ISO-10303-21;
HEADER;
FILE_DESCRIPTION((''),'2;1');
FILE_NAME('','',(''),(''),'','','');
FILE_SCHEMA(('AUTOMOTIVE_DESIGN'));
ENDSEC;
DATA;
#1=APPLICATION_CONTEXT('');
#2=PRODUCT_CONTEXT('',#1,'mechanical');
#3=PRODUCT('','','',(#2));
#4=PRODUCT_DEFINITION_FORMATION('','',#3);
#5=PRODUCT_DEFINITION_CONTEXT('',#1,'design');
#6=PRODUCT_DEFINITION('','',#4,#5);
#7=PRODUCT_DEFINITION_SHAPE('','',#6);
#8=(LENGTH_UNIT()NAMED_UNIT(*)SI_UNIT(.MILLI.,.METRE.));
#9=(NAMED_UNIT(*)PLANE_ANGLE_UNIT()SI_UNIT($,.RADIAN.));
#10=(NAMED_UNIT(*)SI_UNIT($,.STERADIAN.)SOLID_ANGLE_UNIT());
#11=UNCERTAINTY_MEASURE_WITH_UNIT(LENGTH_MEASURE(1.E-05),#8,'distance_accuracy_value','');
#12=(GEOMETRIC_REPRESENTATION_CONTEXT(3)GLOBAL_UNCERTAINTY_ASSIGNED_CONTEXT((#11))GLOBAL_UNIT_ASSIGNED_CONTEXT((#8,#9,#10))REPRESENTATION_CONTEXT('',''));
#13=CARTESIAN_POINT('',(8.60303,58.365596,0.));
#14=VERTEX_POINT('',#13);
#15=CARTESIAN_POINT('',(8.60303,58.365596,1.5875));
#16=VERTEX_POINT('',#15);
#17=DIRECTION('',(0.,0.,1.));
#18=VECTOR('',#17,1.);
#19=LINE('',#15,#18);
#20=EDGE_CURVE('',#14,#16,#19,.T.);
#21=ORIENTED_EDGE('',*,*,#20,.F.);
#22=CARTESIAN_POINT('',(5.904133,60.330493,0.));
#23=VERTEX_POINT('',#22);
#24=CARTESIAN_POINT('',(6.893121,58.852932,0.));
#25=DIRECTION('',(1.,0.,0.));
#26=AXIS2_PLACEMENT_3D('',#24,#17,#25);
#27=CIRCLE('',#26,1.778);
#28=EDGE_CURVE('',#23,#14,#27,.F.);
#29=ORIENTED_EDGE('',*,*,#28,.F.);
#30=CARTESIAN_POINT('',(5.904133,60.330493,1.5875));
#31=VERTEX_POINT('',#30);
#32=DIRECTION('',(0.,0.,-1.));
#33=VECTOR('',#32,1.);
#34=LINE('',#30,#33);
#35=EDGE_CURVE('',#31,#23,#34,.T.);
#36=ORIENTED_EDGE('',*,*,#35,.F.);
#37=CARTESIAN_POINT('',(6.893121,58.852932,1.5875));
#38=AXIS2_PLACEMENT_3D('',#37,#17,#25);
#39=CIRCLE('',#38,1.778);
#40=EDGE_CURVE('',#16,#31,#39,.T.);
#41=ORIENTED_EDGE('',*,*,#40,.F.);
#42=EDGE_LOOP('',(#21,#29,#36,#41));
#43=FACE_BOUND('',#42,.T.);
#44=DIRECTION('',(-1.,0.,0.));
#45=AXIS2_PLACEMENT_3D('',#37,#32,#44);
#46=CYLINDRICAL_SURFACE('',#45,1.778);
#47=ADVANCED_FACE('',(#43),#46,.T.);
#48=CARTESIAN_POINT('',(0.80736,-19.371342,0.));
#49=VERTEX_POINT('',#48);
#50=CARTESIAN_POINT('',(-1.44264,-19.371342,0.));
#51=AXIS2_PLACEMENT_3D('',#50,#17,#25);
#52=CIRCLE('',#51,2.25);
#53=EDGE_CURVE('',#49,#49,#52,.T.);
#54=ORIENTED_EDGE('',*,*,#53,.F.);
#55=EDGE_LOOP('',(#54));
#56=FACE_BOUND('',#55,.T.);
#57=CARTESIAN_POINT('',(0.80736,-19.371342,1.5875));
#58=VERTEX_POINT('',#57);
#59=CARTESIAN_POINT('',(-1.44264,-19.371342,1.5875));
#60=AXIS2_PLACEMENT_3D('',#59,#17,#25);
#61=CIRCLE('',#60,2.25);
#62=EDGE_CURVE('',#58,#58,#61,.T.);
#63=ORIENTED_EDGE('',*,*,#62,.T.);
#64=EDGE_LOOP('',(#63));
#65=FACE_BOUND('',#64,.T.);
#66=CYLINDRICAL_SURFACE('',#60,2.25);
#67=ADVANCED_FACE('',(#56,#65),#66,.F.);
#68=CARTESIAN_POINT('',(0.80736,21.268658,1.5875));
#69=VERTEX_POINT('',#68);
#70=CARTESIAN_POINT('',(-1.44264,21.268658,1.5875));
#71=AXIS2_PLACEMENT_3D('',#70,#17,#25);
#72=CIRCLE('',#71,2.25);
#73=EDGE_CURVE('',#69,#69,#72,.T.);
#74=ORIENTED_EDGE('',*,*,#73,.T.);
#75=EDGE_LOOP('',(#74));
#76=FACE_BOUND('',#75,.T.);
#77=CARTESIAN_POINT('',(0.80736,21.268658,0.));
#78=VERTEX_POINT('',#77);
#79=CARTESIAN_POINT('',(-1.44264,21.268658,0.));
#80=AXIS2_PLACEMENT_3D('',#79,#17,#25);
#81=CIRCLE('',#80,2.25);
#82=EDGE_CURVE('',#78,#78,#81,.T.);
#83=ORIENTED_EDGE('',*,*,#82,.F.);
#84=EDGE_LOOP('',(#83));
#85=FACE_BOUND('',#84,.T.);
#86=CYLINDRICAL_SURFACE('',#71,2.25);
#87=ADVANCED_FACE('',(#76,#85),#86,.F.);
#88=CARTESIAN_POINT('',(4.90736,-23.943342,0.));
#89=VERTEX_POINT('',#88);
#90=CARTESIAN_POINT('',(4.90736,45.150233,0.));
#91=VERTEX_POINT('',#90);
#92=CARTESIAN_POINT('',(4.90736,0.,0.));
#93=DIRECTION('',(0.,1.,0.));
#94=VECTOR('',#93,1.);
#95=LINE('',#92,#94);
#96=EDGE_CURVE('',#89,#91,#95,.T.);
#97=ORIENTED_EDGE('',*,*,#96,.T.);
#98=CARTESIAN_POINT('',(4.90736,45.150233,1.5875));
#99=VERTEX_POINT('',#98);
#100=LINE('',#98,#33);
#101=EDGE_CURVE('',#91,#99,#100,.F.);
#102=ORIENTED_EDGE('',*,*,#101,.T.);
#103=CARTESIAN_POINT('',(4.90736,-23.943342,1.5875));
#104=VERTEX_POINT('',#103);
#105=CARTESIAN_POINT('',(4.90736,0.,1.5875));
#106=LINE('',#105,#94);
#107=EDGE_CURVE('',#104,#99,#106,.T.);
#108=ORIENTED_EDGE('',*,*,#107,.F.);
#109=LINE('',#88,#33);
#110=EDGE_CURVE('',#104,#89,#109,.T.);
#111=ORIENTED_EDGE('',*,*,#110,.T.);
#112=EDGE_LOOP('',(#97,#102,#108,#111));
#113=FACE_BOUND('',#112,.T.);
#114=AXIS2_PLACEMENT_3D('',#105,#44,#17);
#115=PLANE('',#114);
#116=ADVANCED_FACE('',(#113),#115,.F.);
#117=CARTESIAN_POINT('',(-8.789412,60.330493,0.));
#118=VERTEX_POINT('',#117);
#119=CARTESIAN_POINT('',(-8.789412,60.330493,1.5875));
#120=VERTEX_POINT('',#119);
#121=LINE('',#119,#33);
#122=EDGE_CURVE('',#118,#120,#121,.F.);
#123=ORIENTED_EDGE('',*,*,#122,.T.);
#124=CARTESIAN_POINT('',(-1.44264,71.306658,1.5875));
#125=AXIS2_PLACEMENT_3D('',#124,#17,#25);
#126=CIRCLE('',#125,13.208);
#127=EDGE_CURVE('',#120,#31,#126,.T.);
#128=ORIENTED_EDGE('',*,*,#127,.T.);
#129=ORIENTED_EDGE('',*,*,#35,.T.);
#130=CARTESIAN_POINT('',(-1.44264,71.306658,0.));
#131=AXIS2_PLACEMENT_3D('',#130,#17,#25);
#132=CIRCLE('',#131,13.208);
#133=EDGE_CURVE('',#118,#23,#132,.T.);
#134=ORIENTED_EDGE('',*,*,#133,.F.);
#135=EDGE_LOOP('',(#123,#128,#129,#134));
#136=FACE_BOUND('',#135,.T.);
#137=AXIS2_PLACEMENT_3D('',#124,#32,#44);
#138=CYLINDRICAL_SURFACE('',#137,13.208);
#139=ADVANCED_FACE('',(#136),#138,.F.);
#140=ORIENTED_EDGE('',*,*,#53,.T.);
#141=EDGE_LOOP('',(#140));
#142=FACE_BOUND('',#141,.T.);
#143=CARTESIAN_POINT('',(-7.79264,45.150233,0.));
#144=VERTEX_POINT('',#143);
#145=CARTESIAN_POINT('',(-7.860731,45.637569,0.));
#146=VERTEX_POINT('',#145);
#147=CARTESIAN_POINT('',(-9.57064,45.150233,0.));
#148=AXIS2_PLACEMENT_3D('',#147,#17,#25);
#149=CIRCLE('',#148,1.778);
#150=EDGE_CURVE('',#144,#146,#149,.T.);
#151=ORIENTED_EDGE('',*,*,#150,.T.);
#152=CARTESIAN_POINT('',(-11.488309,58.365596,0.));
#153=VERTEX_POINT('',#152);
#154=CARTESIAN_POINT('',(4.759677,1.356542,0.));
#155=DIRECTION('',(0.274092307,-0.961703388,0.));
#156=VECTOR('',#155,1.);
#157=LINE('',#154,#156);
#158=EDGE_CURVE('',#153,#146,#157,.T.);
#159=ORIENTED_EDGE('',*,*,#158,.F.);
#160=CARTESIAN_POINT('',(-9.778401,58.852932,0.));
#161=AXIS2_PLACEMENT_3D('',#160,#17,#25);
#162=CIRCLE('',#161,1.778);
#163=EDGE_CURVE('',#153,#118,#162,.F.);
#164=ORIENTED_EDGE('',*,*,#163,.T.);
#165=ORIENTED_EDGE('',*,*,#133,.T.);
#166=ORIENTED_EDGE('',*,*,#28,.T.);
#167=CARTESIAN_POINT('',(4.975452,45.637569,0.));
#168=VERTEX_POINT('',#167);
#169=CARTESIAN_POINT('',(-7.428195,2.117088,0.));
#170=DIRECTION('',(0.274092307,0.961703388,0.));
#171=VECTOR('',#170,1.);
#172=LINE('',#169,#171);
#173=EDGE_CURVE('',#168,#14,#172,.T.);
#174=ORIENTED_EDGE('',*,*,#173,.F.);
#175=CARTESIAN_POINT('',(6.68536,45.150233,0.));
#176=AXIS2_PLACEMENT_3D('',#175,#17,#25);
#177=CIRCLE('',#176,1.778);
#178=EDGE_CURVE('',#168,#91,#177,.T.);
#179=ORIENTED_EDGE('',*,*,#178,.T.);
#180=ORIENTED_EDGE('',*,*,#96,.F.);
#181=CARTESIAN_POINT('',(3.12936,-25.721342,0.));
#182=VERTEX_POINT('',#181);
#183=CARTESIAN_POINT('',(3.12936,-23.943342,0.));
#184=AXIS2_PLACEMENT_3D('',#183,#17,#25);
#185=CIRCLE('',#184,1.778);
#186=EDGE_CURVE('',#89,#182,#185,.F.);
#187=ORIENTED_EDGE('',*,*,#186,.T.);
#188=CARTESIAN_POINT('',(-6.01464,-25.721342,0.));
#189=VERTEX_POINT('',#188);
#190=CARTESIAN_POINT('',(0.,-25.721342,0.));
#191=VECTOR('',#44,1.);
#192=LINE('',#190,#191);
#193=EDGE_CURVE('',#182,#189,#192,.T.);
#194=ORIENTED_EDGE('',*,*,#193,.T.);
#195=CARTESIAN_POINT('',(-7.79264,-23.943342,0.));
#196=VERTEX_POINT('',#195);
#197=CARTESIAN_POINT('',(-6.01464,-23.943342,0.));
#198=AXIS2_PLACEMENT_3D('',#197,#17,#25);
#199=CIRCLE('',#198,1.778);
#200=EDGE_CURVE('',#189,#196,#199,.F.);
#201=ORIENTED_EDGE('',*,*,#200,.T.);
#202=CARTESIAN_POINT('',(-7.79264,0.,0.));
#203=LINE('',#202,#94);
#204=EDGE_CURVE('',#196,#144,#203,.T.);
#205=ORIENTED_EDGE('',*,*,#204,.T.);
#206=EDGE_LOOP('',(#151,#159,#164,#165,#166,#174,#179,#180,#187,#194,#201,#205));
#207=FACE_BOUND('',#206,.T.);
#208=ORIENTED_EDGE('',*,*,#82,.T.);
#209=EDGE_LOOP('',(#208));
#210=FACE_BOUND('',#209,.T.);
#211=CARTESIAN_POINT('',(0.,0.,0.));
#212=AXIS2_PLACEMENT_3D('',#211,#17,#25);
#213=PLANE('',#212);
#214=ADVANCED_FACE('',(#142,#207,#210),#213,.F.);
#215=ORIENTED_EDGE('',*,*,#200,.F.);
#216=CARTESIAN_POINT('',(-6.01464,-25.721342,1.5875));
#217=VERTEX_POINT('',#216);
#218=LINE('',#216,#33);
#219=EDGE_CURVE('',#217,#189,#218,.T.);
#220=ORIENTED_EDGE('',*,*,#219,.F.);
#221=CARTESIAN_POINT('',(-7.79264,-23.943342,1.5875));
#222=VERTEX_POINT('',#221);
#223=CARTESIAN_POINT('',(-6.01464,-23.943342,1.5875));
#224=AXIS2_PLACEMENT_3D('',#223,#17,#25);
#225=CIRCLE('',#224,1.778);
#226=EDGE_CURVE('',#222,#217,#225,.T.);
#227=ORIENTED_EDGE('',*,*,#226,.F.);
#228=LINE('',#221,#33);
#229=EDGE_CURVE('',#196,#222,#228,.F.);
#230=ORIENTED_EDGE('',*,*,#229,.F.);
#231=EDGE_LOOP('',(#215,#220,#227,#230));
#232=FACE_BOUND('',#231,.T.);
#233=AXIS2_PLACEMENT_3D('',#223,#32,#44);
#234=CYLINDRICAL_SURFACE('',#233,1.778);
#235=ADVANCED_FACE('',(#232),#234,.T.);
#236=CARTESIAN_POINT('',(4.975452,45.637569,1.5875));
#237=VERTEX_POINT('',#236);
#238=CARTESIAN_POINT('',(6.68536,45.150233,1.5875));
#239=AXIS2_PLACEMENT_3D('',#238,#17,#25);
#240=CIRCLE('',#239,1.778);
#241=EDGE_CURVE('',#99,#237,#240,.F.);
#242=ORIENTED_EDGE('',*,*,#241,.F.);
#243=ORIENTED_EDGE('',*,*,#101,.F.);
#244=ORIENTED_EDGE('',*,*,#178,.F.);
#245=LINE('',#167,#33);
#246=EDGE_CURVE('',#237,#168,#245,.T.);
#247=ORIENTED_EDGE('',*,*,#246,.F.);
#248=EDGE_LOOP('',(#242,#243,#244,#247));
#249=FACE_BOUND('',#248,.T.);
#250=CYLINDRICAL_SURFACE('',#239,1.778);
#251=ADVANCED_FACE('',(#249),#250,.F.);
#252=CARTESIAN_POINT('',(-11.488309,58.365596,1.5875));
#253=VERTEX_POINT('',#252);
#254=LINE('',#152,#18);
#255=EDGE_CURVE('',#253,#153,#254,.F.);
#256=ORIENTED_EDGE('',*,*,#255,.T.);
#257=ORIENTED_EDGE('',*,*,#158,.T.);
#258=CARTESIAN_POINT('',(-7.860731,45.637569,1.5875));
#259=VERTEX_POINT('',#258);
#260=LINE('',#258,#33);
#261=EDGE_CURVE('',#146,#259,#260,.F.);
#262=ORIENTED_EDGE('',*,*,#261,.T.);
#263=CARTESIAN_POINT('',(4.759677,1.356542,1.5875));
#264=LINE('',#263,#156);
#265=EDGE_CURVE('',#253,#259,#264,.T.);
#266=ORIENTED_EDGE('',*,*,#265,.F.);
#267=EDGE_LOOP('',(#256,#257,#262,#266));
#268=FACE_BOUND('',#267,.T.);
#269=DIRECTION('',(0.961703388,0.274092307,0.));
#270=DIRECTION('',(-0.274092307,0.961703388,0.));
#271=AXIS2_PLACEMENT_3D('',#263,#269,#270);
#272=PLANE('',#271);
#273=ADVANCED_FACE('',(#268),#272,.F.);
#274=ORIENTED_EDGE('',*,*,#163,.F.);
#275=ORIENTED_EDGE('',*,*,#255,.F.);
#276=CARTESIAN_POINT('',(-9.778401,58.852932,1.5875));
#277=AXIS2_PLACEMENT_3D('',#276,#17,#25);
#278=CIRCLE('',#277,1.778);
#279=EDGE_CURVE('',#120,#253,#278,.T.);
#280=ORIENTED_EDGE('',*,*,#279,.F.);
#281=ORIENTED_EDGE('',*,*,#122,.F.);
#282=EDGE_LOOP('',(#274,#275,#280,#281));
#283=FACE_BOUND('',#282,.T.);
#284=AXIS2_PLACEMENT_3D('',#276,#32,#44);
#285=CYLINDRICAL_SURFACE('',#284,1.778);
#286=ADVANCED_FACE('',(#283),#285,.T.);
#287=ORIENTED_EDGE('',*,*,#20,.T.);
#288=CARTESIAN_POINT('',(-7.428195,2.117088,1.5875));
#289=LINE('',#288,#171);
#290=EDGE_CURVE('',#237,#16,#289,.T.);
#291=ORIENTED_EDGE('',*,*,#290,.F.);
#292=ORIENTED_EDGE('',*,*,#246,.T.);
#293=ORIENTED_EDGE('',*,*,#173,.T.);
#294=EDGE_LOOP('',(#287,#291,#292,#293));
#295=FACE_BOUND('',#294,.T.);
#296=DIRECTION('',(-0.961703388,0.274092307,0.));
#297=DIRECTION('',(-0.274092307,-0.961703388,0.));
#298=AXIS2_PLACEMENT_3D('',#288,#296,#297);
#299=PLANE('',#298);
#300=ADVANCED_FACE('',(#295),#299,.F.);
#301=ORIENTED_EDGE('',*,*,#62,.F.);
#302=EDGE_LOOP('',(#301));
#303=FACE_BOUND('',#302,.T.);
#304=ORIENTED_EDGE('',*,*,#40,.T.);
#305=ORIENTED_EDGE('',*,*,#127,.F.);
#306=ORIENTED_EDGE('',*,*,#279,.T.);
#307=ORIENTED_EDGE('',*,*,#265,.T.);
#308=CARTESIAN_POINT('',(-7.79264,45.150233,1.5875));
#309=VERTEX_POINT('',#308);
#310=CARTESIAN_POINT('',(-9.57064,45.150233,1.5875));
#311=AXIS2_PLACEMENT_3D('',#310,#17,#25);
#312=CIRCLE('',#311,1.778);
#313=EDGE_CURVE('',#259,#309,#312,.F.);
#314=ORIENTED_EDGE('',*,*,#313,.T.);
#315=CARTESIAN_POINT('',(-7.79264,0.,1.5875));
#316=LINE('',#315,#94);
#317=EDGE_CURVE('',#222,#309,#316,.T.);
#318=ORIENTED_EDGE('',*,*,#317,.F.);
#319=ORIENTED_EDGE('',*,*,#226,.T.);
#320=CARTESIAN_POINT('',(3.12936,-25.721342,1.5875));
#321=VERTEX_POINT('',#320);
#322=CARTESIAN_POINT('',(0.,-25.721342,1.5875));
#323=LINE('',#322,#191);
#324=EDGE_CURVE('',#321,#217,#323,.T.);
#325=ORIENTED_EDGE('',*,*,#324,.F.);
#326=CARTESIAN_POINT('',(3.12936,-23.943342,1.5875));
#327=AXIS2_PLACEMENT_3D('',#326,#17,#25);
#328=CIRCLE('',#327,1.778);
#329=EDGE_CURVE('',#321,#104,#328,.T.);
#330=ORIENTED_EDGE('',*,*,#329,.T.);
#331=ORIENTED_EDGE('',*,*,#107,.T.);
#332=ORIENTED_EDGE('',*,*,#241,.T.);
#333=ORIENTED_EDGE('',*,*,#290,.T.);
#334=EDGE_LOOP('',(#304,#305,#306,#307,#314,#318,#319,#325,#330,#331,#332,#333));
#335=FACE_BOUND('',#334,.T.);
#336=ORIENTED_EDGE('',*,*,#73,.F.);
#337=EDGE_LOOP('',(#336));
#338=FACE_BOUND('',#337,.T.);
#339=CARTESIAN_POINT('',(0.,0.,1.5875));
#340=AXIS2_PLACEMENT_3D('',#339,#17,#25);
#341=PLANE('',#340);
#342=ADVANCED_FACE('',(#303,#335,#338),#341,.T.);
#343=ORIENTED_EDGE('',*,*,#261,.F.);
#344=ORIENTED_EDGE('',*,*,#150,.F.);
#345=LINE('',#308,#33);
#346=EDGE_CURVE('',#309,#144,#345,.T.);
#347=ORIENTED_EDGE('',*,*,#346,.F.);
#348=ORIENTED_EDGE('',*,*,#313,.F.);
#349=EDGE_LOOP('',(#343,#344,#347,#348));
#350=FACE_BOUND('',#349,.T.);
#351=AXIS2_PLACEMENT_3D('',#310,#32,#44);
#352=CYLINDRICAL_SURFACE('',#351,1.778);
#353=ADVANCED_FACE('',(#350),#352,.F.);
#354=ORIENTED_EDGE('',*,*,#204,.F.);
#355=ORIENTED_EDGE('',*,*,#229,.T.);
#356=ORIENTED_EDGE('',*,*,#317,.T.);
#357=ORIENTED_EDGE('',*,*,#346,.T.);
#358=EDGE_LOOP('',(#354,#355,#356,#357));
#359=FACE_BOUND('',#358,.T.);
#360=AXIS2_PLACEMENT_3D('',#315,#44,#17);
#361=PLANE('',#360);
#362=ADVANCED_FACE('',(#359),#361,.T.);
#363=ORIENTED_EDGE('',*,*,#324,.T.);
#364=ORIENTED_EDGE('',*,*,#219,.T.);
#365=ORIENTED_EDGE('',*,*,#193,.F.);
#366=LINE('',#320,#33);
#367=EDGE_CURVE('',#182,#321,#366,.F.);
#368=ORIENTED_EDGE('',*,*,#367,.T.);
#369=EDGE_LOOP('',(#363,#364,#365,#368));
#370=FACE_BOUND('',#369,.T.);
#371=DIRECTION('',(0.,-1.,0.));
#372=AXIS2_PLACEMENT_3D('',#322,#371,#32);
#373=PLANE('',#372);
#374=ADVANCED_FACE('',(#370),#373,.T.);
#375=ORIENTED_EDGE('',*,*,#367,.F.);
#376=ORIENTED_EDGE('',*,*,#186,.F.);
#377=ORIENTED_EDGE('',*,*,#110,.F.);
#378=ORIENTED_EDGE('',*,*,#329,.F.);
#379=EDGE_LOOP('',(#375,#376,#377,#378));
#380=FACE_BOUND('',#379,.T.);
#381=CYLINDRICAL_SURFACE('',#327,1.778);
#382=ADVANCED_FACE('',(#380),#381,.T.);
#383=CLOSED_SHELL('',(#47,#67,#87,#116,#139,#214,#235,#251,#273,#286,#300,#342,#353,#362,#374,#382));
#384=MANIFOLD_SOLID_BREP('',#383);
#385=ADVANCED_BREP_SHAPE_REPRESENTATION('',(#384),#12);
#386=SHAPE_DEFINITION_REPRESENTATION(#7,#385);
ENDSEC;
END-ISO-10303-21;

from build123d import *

# Parameters (mm, degrees)
SKETCH1_R            = 2.625
BOSS_EXTRUDE1_DEPTH  = 1.5875
FILLET1_R            = 1.778
M4_CLEARANCE_HOLE1_D = 4.5


with BuildPart() as part:
    # Sketch1 → Boss-Extrude1 (new body)
    # profile 1 of 3: a face of its own
    with BuildSketch(Plane.XY):
        with BuildLine():
            ThreePointArc((-14.144818028, 67.686446389), (-1.442639673, 58.098657577), (11.259538681, 67.686446389))
            Line((11.259538681, 67.686446389), (4.907360327, 45.398657577))
            Line((4.907360327, 45.398657577), (4.907360327, -25.721342423))
            Line((4.907360327, -25.721342423), (-7.792639673, -25.721342423))
            Line((-7.792639673, -25.721342423), (-7.792639673, 45.398657577))
            Line((-7.792639673, 45.398657577), (-14.144818028, 67.686446389))
        make_face()
        with Locations((-1.442639673, -19.371342423)):
            Circle(SKETCH1_R, mode=Mode.SUBTRACT)
        with Locations((-1.442639673, 21.268657577)):
            Circle(SKETCH1_R, mode=Mode.SUBTRACT)
    # profile 2 of 3: a face of its own
    with BuildSketch(Plane.XY):
        with Locations((-1.442639673, 21.268657577)):
            Circle(SKETCH1_R)
    # profile 3 of 3: a face of its own
    with BuildSketch(Plane.XY):
        with Locations((-1.442639673, -19.371342423)):
            Circle(SKETCH1_R)
    extrude(amount=BOSS_EXTRUDE1_DEPTH)

    # Fillet1
    fillet1_edges = [part.edges().sort_by_distance(p)[0] for p in [
        (11.259538681, 67.686446389, 0.79375),
        (4.907360327, 45.398657577, 0.79375),
        (4.907360327, -25.721342423, 0.79375),
        (-7.792639673, -25.721342423, 0.79375),
        (-7.792639673, 45.398657577, 0.79375),
        (-14.144818028, 67.686446389, 0.79375),
    ]]
    fillet(fillet1_edges, radius=FILLET1_R)

    # M4 Clearance Hole1 (through all)
    with Locations(Plane.XY.offset(1.5875)):
        with Locations((-1.442639673, -19.371342423), (-1.442639673, 21.268657577)):
            Hole(M4_CLEARANCE_HOLE1_D / 2)


solid = part.part
